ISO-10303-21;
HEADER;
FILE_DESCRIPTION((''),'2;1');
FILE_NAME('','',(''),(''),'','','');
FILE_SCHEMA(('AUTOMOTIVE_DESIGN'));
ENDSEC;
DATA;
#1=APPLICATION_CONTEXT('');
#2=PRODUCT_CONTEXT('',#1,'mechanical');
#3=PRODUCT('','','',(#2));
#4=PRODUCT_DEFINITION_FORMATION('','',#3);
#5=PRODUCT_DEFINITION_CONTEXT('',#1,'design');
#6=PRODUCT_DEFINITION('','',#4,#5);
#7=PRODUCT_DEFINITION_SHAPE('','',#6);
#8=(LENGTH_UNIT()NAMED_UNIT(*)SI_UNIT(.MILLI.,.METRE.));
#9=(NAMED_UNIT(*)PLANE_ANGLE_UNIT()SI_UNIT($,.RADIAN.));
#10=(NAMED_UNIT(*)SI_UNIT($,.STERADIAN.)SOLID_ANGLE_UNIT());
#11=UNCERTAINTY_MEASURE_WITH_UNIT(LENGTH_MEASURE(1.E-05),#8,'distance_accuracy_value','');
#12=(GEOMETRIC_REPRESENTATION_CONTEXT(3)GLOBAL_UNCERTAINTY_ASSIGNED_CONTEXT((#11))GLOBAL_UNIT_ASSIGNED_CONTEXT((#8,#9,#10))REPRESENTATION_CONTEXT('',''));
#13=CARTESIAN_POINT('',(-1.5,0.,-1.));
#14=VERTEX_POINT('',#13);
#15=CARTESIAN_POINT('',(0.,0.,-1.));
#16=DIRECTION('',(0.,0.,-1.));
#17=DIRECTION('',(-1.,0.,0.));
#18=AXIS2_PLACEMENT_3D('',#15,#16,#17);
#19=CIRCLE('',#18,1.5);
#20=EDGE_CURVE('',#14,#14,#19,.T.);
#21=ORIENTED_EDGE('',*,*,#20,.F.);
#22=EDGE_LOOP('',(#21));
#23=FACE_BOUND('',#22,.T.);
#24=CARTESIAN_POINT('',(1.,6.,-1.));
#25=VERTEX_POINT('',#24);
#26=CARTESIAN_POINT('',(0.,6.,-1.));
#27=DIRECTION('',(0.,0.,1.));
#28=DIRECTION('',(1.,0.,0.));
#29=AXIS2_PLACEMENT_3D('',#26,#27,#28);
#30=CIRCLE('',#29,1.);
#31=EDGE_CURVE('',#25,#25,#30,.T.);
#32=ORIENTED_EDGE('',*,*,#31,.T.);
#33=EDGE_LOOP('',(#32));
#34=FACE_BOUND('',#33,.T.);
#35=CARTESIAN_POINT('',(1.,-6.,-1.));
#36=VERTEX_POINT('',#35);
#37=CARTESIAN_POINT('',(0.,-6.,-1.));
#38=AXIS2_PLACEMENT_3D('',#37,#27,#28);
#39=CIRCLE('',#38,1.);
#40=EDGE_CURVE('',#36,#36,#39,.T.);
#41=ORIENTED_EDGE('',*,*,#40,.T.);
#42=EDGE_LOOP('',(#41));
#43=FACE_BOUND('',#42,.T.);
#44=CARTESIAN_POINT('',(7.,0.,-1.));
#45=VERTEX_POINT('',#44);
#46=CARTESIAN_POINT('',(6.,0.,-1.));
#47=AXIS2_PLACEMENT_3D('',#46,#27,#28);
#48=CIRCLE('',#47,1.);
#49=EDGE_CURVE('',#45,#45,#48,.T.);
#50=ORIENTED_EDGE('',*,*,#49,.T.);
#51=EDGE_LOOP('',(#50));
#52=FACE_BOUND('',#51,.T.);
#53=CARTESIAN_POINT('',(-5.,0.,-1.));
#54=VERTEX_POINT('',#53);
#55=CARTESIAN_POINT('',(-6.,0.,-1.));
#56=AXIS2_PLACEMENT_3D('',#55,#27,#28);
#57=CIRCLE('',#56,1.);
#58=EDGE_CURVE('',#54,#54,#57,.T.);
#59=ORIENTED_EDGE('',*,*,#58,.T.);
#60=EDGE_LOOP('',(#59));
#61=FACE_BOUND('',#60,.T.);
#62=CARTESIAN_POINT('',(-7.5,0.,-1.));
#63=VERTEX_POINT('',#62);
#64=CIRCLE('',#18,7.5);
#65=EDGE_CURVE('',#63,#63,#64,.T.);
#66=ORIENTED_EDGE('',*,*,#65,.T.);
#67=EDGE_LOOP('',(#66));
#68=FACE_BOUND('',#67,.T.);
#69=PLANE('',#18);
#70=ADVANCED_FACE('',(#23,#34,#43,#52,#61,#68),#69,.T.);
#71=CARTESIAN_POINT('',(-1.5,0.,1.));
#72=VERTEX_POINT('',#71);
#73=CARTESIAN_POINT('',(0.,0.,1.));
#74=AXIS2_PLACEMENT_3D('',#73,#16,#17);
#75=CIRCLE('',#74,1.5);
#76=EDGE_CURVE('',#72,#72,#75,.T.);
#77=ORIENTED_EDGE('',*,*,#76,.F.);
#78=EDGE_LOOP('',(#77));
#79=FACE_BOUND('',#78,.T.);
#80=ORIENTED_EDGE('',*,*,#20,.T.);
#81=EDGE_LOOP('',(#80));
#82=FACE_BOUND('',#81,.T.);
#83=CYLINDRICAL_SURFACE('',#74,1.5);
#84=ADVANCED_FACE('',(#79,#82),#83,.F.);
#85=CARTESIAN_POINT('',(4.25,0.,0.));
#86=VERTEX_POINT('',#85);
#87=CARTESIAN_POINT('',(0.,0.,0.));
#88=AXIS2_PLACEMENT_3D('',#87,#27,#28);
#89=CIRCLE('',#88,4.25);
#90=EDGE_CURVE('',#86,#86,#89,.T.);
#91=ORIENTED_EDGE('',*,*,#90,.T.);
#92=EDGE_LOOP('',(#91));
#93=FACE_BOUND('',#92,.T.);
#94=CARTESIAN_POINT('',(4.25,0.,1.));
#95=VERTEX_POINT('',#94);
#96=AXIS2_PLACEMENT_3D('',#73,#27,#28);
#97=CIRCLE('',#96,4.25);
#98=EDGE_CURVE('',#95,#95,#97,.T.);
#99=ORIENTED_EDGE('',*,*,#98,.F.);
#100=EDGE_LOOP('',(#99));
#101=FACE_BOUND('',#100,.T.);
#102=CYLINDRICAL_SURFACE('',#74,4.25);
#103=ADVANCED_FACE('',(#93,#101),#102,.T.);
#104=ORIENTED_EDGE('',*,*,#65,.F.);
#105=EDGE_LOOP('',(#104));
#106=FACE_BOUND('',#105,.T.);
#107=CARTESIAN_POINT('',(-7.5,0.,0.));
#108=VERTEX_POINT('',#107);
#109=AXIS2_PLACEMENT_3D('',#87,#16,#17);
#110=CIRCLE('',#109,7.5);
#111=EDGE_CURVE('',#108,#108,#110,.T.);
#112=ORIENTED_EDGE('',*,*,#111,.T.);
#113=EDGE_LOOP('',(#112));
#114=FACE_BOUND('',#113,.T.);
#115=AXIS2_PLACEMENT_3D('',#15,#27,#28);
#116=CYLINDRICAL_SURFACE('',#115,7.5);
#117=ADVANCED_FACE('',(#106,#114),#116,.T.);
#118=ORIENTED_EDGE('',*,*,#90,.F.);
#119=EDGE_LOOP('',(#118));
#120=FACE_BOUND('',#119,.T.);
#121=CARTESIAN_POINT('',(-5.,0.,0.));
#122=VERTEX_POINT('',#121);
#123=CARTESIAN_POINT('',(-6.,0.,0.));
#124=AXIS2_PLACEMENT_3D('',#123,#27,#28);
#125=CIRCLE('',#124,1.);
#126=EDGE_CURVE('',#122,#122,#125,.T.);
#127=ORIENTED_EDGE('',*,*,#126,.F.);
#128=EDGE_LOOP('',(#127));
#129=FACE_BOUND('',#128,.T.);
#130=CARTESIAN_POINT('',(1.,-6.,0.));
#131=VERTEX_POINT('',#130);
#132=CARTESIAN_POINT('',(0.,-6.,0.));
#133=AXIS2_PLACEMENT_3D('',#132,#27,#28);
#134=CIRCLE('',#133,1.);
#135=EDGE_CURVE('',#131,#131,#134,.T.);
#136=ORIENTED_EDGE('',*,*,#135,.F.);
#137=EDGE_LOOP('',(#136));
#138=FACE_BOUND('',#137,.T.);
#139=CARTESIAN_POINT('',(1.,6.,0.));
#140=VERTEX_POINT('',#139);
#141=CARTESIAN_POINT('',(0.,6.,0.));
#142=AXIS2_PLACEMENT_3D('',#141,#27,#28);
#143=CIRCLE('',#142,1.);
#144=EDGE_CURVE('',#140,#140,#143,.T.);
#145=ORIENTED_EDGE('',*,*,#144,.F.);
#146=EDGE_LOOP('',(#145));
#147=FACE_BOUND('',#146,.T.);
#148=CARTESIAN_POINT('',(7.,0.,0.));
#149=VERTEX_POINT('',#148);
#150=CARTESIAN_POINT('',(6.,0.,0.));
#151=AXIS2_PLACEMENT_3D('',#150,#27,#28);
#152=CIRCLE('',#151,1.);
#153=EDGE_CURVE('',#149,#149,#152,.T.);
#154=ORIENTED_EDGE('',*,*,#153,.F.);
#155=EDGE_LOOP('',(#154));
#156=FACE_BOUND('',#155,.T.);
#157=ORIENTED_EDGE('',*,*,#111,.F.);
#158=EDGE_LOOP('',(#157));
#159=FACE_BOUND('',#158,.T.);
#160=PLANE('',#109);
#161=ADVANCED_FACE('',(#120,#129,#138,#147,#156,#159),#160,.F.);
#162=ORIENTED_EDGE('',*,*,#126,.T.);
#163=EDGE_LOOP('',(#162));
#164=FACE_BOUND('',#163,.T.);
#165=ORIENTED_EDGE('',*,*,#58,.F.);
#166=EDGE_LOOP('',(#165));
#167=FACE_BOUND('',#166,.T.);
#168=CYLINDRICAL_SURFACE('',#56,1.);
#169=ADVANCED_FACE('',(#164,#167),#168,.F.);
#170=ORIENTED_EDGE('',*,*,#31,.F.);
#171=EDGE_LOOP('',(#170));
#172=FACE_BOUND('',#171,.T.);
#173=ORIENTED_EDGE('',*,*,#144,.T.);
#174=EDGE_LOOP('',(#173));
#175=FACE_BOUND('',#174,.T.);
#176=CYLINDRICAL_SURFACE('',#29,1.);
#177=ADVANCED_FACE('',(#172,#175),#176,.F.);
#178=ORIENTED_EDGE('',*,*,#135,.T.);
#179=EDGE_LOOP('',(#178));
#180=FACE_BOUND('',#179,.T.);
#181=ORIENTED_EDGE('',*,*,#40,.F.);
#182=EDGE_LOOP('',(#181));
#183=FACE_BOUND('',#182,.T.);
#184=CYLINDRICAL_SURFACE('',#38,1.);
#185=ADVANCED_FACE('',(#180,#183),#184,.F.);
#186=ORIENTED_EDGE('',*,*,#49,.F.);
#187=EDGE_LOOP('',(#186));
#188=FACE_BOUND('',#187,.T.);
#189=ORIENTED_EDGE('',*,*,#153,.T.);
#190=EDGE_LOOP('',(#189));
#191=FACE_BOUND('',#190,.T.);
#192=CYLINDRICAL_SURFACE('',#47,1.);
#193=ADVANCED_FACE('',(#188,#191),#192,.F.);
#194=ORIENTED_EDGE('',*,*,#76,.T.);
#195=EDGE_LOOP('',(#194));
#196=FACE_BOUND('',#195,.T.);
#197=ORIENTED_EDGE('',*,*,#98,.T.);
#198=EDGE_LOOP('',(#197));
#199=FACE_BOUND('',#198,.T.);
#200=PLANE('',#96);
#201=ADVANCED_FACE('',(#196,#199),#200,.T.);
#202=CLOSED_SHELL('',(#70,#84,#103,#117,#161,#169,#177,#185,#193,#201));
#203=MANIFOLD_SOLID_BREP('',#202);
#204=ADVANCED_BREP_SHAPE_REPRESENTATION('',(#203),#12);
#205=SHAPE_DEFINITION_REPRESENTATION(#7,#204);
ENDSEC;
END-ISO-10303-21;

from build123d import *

# Parameters (mm, degrees)
SKETCH_1_R          = 4.25
EXTRUDE_1_DEPTH     = 1
SKETCH_2_R          = 7.5
EXTRUDE_2_DEPTH     = 1
SKETCH_3_R          = 1
CUT_EXTRUDE_1_DEPTH = 1
SKETCH_4_R          = 1.5
CUT_EXTRUDE_2_DEPTH = 11.793516572


with BuildPart() as part:
    # 草图1 → 凸台-拉伸1 (new body)
    with BuildSketch(Plane.XY):
        Circle(SKETCH_1_R)
    extrude(amount=EXTRUDE_1_DEPTH)

    # 草图2 → 凸台-拉伸2 (add)
    with BuildSketch(Plane(origin=(0, 0, 0), x_dir=(-1, 0, 0), z_dir=(0, 0, -1))):
        Circle(SKETCH_2_R)
    extrude(amount=EXTRUDE_2_DEPTH)

    # 草图3 → 切除-拉伸1 (cut)
    with BuildSketch(Plane.XY):
        with Locations((6, 0)):
            Circle(SKETCH_3_R)
        with Locations((0, 6)):
            Circle(SKETCH_3_R)
        with Locations((-6, 0)):
            Circle(SKETCH_3_R)
        with Locations((0, -6)):
            Circle(SKETCH_3_R)
    extrude(amount=-CUT_EXTRUDE_1_DEPTH, mode=Mode.SUBTRACT)

    # 草图4 → 切除-拉伸2 (cut, through all)
    with BuildSketch(Plane(origin=(0, 0, -1), x_dir=(-1, 0, 0), z_dir=(0, 0, -1))):
        Circle(SKETCH_4_R)
    extrude(amount=-CUT_EXTRUDE_2_DEPTH, mode=Mode.SUBTRACT)


solid = part.part
